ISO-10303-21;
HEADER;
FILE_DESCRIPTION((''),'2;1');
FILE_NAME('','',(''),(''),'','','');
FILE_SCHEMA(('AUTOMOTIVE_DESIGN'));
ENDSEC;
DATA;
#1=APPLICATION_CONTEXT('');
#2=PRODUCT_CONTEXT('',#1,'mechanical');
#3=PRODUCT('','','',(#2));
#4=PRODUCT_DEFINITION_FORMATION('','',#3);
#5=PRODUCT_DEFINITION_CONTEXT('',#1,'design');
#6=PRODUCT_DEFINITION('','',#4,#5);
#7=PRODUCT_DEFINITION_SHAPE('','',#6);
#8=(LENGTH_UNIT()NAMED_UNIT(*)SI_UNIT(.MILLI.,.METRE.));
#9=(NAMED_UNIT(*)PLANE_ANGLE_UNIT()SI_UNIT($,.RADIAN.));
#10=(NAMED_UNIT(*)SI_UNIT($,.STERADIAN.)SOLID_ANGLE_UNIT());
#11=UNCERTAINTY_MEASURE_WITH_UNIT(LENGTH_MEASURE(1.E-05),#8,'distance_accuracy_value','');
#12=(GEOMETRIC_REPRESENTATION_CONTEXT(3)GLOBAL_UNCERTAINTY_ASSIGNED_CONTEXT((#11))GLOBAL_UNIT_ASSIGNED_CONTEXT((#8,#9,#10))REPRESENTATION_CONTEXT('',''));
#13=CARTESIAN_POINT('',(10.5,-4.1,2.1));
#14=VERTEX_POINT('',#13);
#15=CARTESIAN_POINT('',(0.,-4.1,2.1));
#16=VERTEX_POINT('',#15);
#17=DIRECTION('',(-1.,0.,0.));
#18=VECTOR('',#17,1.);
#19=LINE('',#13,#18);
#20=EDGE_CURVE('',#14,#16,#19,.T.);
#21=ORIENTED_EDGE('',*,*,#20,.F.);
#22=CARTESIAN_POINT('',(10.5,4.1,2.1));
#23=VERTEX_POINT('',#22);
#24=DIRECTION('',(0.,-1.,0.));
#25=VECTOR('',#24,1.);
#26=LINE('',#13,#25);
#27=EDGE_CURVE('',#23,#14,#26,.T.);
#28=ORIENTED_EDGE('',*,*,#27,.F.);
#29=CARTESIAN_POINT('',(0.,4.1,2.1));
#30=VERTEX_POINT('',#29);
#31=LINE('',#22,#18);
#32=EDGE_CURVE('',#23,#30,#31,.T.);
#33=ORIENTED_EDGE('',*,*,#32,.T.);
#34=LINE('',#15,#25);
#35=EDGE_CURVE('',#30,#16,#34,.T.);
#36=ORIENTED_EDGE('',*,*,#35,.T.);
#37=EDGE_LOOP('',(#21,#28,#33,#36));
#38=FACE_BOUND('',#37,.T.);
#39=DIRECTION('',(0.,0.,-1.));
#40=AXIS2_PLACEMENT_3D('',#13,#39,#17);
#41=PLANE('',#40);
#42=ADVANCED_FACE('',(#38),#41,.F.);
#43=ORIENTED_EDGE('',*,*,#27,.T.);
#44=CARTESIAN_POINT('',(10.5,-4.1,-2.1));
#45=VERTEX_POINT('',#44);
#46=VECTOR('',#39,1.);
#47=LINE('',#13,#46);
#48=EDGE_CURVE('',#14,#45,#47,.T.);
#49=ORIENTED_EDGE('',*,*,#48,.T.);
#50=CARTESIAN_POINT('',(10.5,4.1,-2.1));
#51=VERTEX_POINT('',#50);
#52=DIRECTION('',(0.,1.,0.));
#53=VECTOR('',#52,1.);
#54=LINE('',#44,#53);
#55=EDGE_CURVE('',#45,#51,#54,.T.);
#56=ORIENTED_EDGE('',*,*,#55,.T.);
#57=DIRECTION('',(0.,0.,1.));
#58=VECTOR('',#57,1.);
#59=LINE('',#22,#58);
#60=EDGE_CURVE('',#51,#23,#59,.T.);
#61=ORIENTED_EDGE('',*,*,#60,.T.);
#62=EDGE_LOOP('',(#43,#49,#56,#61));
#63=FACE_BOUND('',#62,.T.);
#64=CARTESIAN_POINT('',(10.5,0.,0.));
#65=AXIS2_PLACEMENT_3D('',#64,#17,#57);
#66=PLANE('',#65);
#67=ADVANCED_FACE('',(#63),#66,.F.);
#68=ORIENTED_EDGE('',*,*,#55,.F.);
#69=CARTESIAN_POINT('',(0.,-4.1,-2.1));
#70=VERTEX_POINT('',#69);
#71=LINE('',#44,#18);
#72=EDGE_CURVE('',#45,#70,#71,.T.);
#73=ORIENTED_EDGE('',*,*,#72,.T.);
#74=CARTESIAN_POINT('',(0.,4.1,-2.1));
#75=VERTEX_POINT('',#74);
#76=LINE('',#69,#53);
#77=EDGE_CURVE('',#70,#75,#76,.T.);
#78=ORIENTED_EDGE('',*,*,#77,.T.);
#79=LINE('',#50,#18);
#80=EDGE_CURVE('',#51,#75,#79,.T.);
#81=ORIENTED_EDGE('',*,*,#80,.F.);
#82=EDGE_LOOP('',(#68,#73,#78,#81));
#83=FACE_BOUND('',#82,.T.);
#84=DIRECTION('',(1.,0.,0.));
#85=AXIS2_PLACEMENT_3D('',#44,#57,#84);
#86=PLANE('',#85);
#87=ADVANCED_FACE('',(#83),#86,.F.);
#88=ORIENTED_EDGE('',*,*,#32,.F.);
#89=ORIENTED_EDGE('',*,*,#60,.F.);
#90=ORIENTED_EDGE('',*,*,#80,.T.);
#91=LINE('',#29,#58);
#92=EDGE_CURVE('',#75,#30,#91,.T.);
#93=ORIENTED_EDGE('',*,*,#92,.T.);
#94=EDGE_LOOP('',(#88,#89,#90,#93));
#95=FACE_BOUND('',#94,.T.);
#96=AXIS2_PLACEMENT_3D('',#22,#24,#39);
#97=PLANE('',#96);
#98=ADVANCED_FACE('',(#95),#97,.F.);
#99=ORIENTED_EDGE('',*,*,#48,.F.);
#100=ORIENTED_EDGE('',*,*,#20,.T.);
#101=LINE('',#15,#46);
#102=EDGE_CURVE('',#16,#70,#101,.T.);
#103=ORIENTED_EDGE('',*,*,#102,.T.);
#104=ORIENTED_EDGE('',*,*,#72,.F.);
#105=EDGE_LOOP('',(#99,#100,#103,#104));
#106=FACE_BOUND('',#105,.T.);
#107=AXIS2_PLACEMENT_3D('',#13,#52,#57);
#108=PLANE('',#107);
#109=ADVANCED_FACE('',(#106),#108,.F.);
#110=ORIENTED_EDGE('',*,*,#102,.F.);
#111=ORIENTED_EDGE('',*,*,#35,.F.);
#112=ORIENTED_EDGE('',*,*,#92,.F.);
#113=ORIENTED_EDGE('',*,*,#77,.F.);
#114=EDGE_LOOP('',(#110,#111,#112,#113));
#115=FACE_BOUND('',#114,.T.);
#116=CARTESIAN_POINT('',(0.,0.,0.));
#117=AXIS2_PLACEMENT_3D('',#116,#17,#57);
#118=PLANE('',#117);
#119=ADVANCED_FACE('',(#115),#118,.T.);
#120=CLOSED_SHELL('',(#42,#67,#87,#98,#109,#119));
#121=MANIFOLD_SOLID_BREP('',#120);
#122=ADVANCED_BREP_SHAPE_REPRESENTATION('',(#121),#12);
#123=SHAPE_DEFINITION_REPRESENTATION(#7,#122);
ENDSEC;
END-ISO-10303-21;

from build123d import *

# Parameters (mm, degrees)
SKETCH1_W           = 4.2
SKETCH1_H           = 8.2
BOSS_EXTRUDE1_DEPTH = 10.5


with BuildPart() as part:
    # Sketch1 → Boss-Extrude1 (new body)
    with BuildSketch(Plane(origin=(0, 0, 0), x_dir=(0, 0, -1), z_dir=(1, 0, 0))):
        Rectangle(SKETCH1_W, SKETCH1_H)
    extrude(amount=BOSS_EXTRUDE1_DEPTH)


solid = part.part
